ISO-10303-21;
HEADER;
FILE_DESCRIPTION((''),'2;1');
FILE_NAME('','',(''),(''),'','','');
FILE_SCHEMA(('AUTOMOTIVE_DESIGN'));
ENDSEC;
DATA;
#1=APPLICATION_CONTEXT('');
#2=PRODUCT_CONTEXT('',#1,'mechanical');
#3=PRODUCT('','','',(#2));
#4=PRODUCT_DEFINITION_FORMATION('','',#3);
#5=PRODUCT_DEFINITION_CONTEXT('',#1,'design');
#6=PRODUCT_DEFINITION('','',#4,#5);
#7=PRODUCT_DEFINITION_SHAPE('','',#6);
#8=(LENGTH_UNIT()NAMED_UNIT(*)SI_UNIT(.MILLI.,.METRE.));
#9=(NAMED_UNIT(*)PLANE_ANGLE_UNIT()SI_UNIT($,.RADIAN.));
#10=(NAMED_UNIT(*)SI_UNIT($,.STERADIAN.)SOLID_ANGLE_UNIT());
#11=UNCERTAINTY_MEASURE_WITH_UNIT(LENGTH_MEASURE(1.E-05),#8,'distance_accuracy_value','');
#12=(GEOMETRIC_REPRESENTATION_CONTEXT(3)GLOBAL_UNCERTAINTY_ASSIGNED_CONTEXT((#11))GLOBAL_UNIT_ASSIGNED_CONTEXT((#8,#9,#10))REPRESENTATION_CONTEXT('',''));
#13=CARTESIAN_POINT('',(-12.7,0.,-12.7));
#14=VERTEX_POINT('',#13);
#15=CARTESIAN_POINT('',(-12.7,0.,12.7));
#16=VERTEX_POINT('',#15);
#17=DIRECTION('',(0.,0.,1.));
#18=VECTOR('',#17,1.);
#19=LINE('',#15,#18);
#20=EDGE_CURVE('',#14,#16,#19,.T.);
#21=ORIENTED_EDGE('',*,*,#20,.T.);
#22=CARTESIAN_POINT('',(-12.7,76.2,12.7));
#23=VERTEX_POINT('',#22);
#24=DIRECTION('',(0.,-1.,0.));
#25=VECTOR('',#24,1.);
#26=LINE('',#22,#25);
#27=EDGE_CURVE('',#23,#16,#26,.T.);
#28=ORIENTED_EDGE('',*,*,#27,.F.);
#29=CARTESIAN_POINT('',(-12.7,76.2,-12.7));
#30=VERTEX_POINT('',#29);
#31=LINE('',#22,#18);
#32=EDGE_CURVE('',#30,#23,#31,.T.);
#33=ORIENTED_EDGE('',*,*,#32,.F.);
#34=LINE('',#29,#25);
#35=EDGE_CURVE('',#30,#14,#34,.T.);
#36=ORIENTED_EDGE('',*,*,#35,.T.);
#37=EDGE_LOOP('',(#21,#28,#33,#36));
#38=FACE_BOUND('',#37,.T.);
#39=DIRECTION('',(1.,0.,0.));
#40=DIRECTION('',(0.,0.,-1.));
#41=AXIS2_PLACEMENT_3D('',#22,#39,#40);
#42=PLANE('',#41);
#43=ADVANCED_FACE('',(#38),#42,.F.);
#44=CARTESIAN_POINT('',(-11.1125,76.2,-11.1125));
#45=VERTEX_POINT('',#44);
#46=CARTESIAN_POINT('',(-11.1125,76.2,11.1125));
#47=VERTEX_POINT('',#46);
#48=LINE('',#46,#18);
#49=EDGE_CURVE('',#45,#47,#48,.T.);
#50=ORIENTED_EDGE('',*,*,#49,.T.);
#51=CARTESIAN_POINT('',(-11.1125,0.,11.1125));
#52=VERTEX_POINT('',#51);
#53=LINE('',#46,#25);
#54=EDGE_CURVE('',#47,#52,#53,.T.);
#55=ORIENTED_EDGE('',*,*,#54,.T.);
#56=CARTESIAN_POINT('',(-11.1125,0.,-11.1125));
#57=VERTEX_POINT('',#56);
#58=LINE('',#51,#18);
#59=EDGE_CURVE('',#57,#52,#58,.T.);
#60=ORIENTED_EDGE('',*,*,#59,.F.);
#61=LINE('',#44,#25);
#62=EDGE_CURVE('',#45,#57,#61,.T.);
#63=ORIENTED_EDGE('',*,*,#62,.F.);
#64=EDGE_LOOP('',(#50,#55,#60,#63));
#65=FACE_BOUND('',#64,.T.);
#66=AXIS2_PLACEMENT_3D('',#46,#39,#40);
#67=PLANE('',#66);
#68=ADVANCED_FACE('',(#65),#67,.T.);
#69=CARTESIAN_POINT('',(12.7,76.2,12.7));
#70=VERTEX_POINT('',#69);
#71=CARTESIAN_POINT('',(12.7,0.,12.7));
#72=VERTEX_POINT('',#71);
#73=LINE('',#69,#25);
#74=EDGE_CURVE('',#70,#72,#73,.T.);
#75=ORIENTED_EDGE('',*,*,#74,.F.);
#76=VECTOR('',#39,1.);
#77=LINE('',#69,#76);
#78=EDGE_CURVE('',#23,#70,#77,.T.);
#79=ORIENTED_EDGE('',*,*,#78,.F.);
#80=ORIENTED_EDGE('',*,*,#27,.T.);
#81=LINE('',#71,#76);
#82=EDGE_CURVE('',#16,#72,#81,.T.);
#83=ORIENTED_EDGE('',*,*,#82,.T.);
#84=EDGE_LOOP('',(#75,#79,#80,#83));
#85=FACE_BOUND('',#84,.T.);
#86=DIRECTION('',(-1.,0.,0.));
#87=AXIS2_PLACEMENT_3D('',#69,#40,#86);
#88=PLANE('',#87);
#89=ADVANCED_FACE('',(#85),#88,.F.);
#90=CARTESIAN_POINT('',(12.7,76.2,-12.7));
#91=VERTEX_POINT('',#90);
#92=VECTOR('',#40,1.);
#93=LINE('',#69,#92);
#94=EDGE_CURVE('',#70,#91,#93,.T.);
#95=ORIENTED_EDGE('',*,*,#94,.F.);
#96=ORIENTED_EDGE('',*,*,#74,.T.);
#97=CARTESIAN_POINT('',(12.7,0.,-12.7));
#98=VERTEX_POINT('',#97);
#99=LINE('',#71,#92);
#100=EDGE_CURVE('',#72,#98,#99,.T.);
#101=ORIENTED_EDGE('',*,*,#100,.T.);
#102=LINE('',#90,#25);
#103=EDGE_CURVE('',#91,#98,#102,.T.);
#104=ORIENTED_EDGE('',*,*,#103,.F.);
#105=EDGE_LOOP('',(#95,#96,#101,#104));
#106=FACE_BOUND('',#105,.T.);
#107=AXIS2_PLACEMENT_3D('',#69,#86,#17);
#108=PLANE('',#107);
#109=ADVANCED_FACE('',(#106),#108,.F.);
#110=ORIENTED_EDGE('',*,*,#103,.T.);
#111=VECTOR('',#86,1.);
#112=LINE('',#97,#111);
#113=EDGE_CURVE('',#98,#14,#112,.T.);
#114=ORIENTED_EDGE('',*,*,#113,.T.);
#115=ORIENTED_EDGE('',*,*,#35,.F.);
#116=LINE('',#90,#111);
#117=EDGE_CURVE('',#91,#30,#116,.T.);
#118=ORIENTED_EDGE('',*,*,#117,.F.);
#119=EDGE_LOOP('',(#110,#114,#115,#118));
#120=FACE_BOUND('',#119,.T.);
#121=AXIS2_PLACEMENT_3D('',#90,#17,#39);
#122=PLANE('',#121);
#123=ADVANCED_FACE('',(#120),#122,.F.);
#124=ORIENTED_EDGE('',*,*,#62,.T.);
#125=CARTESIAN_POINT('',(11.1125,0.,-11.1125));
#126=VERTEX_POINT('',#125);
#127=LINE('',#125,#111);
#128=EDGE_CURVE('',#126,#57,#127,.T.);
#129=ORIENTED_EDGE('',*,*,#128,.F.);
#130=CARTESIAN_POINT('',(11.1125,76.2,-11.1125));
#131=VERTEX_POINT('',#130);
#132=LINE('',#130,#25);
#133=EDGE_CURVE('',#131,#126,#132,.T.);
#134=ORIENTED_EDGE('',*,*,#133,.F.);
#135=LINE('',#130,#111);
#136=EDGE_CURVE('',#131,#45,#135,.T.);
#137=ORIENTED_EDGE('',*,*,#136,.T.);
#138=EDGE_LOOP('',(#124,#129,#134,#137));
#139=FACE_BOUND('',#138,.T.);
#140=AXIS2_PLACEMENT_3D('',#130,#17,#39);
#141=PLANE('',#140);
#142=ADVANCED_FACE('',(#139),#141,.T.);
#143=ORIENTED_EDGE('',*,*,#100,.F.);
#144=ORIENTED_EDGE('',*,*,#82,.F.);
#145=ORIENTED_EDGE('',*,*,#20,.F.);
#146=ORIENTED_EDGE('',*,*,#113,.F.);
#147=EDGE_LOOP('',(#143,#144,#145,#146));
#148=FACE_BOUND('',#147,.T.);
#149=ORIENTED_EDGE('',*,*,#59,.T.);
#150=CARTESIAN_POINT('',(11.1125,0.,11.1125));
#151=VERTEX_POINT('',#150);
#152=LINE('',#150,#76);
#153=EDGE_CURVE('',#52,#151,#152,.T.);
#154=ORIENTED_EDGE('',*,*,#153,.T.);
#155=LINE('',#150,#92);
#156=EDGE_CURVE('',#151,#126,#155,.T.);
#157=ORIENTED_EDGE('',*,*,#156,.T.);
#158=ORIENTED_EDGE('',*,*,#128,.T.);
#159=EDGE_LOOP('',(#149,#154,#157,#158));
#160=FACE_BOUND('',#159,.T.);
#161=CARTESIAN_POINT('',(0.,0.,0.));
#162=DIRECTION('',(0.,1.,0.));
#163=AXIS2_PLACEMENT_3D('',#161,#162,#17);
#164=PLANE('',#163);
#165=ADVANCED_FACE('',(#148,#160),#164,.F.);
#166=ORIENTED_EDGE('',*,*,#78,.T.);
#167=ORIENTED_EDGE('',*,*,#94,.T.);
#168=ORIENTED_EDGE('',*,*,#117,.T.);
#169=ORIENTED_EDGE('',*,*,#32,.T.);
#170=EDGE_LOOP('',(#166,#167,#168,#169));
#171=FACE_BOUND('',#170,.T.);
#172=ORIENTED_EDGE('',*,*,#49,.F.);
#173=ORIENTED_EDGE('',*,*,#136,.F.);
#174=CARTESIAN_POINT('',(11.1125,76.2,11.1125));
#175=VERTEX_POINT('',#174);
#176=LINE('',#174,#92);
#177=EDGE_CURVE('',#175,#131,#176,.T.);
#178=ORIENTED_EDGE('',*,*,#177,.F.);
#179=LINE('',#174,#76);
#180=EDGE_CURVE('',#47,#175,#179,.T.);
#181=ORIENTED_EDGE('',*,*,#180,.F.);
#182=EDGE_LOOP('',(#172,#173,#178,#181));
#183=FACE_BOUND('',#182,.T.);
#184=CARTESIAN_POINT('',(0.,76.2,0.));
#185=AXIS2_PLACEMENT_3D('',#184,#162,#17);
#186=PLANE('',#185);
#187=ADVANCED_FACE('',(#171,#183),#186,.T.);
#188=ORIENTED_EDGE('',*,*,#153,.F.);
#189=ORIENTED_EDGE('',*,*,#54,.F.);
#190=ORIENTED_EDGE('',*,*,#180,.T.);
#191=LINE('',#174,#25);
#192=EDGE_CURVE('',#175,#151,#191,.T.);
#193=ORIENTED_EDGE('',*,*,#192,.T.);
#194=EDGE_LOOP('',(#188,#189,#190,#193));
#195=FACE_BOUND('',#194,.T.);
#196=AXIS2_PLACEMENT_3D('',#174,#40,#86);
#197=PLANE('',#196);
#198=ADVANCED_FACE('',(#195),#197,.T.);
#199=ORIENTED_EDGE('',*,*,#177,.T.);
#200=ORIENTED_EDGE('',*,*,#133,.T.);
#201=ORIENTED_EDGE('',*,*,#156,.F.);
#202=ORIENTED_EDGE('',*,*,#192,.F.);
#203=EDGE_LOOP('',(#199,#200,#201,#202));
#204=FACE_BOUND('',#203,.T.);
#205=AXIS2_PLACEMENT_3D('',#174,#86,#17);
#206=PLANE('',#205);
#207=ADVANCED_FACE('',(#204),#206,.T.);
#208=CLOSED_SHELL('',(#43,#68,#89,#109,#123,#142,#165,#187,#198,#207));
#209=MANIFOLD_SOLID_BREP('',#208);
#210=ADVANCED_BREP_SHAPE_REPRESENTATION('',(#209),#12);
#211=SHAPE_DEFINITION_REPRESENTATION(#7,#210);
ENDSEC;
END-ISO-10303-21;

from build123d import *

# Parameters (mm, degrees)
SKETCH1_W           = 25.4
SKETCH1_H           = 25.4
SKETCH1_W_2         = 22.225
SKETCH1_H_2         = 22.225
BOSS_EXTRUDE1_DEPTH = 76.2


with BuildPart() as part:
    # Sketch1 → Boss-Extrude1 (new body)
    with BuildSketch(Plane(origin=(0, 0, 0), x_dir=(1, 0, 0), z_dir=(0, 1, 0))):
        Rectangle(SKETCH1_W, SKETCH1_H)
        Rectangle(SKETCH1_W_2, SKETCH1_H_2, mode=Mode.SUBTRACT)
    extrude(amount=BOSS_EXTRUDE1_DEPTH)


solid = part.part
